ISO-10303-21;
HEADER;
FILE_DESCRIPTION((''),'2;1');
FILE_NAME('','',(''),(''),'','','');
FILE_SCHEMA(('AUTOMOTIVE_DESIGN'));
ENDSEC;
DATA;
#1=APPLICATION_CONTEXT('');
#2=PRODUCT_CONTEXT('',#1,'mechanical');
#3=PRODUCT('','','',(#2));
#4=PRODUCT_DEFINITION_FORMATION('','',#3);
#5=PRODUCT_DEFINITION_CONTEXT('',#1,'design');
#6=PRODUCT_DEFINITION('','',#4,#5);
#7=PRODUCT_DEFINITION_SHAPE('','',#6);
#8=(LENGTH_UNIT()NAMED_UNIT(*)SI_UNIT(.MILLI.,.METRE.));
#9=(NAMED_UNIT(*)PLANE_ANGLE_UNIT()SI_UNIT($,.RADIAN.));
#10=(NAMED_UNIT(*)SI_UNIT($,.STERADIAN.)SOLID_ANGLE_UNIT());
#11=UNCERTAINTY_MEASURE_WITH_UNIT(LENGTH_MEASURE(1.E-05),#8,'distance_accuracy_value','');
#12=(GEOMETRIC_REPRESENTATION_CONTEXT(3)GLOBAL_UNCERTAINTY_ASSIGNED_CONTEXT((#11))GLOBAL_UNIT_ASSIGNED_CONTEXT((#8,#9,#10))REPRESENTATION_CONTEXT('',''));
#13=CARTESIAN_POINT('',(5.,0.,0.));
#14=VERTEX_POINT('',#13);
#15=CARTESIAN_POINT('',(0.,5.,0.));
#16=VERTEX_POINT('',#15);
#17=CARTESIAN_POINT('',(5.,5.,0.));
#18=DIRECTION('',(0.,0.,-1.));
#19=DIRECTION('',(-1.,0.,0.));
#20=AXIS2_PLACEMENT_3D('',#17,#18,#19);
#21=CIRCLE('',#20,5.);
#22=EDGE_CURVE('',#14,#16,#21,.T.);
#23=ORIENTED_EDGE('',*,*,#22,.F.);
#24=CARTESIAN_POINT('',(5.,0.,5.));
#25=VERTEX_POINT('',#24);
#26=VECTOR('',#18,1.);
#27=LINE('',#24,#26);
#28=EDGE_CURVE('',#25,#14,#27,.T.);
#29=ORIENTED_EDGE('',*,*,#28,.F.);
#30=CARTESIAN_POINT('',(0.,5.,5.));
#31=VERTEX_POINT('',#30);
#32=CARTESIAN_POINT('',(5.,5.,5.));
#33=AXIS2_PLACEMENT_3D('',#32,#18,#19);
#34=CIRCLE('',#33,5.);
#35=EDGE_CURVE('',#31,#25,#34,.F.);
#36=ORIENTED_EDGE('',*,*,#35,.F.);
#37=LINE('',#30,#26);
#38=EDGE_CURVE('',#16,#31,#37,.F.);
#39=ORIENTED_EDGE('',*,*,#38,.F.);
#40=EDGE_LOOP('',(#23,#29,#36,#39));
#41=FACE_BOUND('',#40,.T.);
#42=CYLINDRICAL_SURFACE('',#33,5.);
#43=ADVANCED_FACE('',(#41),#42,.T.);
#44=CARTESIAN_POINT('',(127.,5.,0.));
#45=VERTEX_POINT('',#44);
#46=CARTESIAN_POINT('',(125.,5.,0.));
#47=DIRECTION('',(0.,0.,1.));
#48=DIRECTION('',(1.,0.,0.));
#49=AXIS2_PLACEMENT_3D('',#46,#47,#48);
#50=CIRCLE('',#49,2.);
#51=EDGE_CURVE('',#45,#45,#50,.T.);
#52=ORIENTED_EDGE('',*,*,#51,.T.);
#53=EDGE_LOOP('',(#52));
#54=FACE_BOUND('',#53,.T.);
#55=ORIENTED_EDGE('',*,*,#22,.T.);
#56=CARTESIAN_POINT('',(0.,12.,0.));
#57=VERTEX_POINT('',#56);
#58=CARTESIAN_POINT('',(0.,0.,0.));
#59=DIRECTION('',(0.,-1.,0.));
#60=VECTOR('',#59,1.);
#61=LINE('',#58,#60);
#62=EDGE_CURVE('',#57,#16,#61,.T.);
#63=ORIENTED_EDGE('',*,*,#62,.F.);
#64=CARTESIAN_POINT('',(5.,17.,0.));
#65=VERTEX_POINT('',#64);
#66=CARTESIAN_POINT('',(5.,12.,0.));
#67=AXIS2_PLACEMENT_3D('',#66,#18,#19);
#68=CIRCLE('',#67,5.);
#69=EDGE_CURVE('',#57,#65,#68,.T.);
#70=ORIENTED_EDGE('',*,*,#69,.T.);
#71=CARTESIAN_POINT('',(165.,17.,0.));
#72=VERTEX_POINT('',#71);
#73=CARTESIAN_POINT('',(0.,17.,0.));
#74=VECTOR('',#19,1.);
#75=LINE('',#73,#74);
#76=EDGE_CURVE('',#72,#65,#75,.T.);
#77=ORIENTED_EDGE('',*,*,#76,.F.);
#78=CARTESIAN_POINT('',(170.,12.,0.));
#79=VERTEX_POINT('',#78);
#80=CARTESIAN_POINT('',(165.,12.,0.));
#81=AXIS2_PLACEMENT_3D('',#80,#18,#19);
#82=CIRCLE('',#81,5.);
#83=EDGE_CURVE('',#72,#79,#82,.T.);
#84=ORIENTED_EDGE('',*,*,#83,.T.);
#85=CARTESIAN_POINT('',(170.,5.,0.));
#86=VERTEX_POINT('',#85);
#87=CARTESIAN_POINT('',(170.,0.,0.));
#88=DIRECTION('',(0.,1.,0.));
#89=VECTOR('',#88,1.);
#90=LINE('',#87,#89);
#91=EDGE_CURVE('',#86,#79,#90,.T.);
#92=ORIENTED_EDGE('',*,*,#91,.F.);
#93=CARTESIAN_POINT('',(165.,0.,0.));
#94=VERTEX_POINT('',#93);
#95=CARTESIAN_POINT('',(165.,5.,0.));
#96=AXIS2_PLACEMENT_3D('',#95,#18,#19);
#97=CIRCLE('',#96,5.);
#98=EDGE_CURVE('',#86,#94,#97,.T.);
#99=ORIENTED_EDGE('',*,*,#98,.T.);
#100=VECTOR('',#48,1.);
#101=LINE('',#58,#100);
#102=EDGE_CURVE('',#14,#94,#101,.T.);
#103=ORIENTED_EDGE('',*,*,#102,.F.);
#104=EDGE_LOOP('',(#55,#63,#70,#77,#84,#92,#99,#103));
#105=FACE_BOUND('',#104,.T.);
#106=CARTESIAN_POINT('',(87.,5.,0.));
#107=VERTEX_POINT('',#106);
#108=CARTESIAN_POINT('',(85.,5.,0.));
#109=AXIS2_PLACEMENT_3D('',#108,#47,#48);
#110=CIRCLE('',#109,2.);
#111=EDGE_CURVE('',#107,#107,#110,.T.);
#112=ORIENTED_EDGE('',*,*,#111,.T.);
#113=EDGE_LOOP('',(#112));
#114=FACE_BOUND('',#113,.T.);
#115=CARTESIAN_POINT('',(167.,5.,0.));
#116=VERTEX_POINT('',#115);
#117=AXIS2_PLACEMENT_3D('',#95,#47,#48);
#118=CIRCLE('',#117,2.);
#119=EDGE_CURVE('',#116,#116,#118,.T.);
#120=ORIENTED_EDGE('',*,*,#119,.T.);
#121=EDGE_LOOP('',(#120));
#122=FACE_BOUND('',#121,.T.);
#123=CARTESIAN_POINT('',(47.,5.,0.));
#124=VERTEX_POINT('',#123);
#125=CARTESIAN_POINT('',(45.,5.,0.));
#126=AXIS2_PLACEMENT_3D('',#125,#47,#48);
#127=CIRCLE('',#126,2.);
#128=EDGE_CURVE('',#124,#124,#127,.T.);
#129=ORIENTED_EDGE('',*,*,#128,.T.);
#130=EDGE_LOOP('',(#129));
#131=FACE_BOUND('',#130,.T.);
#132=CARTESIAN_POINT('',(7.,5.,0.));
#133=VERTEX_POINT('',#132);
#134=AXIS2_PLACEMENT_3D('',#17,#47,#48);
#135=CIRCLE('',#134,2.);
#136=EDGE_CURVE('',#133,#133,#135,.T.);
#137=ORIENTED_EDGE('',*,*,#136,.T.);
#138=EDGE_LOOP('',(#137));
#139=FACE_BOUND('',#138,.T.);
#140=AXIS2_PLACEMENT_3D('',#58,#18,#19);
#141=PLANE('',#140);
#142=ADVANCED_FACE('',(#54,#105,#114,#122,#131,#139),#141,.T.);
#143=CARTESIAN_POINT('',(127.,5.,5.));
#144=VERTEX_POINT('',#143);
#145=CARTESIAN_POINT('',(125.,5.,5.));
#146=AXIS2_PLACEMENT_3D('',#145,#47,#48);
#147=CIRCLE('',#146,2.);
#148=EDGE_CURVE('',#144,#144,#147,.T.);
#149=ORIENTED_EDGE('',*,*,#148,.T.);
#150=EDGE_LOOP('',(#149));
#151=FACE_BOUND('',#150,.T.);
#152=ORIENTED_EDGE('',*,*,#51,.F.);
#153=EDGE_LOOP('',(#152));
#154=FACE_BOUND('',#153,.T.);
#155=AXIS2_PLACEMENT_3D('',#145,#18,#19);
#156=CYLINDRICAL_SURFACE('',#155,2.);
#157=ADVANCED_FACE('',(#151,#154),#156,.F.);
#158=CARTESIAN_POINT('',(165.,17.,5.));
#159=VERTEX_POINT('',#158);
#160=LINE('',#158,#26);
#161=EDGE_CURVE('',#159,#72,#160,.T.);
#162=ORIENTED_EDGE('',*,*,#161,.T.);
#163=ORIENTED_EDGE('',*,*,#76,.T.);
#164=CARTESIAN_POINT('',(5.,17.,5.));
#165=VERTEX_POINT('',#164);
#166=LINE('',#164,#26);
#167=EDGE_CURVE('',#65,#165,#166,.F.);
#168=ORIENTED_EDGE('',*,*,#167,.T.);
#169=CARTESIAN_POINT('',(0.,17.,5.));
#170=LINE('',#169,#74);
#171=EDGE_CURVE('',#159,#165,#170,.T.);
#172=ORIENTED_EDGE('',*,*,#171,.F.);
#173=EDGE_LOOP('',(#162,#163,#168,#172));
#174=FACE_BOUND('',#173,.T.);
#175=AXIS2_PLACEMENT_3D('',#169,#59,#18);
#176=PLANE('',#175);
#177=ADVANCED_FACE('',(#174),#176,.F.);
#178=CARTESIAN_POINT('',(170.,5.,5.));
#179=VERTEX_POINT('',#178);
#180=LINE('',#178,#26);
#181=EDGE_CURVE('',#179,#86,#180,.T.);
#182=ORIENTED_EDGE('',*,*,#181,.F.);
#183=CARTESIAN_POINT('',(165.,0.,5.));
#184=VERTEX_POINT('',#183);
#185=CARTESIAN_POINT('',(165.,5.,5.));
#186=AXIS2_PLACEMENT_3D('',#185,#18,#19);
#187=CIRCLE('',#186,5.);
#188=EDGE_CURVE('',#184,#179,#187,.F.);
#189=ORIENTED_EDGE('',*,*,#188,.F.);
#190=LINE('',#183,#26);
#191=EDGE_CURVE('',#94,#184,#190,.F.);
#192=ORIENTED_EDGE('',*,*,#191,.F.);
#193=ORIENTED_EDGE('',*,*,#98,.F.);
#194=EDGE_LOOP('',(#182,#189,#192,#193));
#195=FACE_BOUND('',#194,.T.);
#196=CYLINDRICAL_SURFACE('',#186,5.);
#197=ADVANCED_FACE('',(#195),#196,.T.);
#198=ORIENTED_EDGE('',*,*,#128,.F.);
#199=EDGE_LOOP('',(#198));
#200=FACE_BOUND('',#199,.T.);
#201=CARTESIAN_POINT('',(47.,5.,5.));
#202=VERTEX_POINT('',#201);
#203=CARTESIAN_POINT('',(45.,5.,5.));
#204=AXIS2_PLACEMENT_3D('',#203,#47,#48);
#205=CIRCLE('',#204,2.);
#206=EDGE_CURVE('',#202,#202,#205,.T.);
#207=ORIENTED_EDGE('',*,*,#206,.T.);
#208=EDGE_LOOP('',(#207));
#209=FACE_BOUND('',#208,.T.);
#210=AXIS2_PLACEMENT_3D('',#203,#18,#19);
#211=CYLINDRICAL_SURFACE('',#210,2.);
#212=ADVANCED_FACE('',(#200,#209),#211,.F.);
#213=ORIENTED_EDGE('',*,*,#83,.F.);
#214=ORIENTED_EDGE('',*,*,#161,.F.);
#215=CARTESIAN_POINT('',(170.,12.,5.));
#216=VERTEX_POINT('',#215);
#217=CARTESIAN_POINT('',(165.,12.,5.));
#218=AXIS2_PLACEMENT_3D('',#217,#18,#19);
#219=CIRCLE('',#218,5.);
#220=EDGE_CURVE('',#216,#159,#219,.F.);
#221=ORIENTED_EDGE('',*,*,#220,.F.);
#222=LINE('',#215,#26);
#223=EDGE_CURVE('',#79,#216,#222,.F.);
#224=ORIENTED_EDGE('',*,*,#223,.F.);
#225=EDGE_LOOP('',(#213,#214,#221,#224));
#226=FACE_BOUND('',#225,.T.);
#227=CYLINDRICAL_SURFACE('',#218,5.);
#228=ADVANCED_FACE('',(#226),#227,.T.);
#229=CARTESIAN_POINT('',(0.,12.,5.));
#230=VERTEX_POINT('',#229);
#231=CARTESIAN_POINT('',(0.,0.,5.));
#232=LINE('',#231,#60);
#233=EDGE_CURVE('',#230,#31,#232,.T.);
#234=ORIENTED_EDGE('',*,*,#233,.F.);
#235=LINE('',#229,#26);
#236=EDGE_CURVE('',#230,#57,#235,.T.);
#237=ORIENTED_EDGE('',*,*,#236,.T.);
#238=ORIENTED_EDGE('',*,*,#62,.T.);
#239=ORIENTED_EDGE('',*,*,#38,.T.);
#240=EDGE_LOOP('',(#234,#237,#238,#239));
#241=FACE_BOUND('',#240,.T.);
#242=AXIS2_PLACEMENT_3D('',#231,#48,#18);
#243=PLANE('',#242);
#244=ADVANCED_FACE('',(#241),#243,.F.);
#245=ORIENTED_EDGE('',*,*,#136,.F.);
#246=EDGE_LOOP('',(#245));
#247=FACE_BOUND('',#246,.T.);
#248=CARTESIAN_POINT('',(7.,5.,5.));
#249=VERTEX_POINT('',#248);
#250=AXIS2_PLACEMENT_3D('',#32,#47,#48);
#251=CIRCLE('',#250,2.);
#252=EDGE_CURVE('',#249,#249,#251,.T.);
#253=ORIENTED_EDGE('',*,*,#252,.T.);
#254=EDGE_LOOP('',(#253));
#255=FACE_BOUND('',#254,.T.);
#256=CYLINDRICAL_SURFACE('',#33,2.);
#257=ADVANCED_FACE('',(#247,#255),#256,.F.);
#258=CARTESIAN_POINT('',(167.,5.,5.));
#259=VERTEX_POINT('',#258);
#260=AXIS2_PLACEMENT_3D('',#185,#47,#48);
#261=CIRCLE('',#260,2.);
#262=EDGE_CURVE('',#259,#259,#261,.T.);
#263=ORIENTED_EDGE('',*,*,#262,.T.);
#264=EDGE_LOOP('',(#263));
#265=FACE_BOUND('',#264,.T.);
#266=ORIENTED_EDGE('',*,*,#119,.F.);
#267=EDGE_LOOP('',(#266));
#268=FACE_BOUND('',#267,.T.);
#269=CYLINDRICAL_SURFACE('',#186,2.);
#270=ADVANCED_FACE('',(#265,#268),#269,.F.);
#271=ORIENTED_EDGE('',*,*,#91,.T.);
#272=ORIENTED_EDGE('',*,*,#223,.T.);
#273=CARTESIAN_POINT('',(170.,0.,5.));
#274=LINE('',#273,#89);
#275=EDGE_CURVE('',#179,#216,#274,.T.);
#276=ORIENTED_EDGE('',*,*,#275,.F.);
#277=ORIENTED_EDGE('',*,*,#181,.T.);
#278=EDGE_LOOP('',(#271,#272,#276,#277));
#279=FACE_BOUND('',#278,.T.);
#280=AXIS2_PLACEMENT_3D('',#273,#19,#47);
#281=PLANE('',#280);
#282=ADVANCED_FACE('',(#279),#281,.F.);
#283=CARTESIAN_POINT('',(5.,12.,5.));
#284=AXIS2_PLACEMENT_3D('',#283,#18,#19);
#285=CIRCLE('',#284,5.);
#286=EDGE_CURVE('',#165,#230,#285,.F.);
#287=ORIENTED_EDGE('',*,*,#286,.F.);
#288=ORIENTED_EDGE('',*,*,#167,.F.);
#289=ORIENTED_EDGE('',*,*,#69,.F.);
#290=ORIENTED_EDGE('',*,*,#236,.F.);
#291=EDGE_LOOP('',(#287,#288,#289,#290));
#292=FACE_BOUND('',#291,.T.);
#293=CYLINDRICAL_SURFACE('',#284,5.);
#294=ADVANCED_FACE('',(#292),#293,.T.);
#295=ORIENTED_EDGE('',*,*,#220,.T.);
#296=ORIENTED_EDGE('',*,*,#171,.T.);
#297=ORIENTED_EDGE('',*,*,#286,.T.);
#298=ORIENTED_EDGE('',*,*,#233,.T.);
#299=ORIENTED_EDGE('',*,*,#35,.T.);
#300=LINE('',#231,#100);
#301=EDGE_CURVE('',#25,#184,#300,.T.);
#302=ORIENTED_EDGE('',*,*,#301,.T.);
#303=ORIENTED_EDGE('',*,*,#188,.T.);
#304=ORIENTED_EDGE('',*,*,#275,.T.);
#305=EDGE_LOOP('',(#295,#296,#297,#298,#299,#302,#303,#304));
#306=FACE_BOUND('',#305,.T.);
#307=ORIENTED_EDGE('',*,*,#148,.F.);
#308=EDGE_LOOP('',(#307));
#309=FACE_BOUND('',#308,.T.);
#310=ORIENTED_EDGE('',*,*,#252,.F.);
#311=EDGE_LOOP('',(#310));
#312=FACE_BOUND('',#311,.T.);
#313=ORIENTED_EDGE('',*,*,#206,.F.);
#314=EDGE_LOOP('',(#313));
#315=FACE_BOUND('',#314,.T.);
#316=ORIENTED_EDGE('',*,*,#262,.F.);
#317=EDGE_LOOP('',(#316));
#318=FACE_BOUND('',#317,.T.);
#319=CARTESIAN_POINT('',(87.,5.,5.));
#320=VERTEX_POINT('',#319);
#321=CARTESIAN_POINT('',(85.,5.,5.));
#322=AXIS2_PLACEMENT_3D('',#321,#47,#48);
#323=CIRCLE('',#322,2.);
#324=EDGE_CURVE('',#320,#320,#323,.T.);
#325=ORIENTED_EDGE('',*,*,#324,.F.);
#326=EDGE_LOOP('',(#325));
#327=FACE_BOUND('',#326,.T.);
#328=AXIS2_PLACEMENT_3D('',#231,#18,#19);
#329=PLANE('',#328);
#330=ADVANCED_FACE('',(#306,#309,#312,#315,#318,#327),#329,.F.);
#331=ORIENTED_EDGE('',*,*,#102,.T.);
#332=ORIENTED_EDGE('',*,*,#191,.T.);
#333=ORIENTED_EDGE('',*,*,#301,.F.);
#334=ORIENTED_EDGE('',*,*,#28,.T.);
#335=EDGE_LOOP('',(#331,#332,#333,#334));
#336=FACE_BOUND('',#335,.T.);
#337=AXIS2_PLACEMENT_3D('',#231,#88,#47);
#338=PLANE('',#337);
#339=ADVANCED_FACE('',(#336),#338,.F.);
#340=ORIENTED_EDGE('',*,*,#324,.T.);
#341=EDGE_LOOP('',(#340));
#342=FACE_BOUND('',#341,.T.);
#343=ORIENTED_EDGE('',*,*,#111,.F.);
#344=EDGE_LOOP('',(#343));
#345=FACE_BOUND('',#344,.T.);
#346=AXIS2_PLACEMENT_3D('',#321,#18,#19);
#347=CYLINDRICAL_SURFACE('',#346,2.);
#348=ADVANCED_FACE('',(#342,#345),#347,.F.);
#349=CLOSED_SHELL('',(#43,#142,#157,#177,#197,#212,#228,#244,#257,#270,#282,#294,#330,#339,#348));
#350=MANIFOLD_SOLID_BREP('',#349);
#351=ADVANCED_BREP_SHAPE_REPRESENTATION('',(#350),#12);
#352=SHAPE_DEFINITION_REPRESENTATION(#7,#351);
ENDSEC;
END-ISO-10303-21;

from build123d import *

# Parameters (mm, degrees)
ESQUISSE1_W        = 170
ESQUISSE1_H        = 17
ESQUISSE1_R        = 2
BOSS_EXTRU_1_DEPTH = 5
CONG_1_R           = 5


with BuildPart() as part:
    # Esquisse1 → Boss.-Extru.1 (new body)
    with BuildSketch(Plane.XY):
        with Locations((85, 8.5)):
            Rectangle(ESQUISSE1_W, ESQUISSE1_H)
        with Locations((5, 5)):
            Circle(ESQUISSE1_R, mode=Mode.SUBTRACT)
        with Locations((45, 5)):
            Circle(ESQUISSE1_R, mode=Mode.SUBTRACT)
        with Locations((85, 5)):
            Circle(ESQUISSE1_R, mode=Mode.SUBTRACT)
        with Locations((125, 5)):
            Circle(ESQUISSE1_R, mode=Mode.SUBTRACT)
        with Locations((165, 5)):
            Circle(ESQUISSE1_R, mode=Mode.SUBTRACT)
    extrude(amount=BOSS_EXTRU_1_DEPTH)

    # Congé1
    cong_1_edges = [part.edges().sort_by_distance(p)[0] for p in [
        (0, 17, 2.5),
        (170, 17, 2.5),
        (170, 0, 2.5),
        (0, 0, 2.5),
    ]]
    fillet(cong_1_edges, radius=CONG_1_R)


solid = part.part
